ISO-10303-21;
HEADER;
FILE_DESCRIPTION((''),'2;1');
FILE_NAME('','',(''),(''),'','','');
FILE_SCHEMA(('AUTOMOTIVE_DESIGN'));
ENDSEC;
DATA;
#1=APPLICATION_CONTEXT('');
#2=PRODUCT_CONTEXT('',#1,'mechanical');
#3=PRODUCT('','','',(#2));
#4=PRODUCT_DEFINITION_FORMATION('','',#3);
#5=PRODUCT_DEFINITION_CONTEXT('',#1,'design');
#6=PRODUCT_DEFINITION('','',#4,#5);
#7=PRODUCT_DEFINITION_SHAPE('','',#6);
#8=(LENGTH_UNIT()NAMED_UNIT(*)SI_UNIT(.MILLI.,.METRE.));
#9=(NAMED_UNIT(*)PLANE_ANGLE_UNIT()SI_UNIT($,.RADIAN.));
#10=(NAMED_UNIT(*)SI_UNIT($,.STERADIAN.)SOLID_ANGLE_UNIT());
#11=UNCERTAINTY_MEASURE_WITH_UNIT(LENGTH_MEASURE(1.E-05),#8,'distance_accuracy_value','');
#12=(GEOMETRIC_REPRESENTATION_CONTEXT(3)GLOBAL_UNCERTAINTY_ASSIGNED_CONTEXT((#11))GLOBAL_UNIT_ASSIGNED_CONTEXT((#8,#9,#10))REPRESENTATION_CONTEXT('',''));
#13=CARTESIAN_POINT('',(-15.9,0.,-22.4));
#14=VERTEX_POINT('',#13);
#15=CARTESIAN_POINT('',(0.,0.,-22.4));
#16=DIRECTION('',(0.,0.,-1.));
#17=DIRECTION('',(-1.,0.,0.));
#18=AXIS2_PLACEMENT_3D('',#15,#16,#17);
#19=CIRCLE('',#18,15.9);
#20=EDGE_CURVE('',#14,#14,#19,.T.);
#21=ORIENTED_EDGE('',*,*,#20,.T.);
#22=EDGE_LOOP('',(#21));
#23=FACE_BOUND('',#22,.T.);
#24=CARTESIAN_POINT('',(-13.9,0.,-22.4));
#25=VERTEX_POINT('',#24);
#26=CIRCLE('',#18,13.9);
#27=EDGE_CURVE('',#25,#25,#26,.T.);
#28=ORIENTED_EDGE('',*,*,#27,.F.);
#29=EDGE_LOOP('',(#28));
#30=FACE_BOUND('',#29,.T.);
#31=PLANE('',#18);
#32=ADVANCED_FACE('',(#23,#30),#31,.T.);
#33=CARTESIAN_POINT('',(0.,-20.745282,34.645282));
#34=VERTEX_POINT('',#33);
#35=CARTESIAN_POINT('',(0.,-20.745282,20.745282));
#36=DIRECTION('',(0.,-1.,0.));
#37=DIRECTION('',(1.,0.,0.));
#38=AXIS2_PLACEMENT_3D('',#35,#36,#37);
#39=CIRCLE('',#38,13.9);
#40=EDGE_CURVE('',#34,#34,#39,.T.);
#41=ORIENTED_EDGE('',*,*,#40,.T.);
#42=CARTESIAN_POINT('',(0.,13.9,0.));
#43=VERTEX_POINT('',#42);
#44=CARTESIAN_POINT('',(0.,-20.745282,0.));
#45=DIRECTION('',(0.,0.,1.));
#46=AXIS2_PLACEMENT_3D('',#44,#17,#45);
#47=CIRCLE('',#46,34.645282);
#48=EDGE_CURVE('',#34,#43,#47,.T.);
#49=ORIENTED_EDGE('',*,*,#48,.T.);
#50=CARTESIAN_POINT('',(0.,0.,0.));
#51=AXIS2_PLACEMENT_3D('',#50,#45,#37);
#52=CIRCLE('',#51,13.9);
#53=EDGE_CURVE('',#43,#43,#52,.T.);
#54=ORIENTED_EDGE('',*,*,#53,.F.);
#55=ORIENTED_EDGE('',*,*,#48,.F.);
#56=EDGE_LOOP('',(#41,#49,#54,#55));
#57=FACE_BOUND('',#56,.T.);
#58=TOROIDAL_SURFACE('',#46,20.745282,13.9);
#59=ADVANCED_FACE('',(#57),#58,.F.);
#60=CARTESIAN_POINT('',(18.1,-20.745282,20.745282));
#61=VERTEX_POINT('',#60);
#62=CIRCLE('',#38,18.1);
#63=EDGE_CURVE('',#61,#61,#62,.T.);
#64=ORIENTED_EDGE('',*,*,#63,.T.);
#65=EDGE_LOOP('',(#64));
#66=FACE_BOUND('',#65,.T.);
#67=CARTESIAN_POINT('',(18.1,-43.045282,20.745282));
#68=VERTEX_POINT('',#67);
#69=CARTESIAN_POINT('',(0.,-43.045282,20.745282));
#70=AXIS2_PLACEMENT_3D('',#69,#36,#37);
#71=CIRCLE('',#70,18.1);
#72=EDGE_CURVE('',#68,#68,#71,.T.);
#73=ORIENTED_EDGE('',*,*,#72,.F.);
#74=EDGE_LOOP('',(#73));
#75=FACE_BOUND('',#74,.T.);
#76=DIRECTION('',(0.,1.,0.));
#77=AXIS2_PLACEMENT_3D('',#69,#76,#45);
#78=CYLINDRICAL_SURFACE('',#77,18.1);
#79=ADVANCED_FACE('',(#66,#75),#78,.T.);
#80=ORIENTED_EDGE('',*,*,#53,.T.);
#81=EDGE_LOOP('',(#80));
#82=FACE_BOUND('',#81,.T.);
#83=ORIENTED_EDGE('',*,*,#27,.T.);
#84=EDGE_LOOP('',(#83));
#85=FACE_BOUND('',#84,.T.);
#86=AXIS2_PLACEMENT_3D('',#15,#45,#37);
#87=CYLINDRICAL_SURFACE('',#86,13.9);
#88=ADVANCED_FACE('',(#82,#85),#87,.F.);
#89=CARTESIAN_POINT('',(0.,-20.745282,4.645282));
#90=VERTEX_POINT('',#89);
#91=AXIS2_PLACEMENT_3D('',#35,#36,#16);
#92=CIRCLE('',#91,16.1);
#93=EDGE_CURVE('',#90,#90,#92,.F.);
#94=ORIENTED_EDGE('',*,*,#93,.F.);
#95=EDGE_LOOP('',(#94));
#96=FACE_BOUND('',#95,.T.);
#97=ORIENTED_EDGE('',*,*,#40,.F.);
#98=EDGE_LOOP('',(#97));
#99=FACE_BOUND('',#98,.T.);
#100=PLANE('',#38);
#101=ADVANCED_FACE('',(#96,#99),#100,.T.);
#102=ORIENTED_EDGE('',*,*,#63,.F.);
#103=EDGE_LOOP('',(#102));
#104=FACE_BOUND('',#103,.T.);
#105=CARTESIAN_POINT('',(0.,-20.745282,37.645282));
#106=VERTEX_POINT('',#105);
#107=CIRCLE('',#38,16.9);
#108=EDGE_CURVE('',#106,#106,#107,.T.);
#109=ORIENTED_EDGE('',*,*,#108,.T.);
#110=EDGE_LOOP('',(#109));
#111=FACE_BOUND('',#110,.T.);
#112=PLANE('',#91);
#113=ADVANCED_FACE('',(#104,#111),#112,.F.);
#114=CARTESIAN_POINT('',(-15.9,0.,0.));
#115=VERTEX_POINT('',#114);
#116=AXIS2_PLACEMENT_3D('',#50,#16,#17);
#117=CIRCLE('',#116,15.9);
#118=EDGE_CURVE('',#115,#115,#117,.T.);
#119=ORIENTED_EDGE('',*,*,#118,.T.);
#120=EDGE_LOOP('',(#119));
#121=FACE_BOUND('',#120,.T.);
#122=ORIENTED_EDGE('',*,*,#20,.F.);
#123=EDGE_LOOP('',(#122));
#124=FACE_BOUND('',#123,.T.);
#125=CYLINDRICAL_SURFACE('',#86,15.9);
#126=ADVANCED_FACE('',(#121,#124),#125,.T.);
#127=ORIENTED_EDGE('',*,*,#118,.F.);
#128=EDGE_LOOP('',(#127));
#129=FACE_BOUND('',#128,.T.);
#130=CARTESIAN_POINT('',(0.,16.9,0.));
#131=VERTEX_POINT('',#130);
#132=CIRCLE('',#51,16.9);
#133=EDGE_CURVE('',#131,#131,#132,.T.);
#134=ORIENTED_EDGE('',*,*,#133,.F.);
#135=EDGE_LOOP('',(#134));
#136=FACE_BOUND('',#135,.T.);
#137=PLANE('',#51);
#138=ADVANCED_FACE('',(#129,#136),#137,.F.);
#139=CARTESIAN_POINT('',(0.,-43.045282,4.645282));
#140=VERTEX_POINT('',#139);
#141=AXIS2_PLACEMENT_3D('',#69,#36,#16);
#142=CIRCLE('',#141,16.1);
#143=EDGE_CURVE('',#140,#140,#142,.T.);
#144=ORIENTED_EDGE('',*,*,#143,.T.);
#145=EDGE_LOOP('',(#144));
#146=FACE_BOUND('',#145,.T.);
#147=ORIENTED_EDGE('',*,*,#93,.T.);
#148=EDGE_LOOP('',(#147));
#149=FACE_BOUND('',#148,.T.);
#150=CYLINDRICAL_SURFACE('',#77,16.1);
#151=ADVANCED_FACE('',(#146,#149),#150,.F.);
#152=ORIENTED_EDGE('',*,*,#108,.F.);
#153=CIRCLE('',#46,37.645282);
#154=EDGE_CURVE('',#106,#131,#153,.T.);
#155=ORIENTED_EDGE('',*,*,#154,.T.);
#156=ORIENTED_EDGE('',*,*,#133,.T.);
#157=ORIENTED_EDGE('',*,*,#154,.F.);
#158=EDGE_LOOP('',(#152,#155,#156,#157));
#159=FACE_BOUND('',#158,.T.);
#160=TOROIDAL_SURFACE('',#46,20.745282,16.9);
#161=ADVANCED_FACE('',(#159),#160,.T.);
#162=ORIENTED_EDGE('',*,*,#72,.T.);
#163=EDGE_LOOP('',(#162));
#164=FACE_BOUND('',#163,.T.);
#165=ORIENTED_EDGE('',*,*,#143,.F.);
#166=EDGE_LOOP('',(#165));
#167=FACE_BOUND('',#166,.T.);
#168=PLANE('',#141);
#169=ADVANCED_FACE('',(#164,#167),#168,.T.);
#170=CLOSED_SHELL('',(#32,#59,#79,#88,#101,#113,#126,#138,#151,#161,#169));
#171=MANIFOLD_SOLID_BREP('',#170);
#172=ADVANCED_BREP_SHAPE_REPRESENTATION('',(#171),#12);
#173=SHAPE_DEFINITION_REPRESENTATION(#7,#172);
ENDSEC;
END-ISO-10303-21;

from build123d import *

# Parameters (mm, degrees)
ESQUISSE1_R        = 16.9
ESQUISSE1_R_2      = 13.9
R_VOL_MINCE1_ANGLE = 90
ESQUISSE2_R        = 15.9
ESQUISSE2_R_2      = 13.9
EXTRU_MINCE1_DEPTH = 22.4
ESQUISSE3_R        = 18.1
ESQUISSE3_R_2      = 16.1
EXTRU_MINCE2_DEPTH = 22.3


with BuildPart() as part:
    # Esquisse1 → Révol.-Mince1 (revolve)
    with BuildSketch(Plane.XY):
        Circle(ESQUISSE1_R)
        Circle(ESQUISSE1_R_2, mode=Mode.SUBTRACT)
    revolve(axis=Axis((0, -20.745281933, 0), (1, 0, 0)), revolution_arc=R_VOL_MINCE1_ANGLE)

    # Esquisse2 → Extru.-Mince1 (add)
    with BuildSketch(Plane(origin=(0, 0, 0), x_dir=(-1, 0, 0), z_dir=(0, 0, -1))):
        Circle(ESQUISSE2_R)
        Circle(ESQUISSE2_R_2, mode=Mode.SUBTRACT)
    extrude(amount=EXTRU_MINCE1_DEPTH)

    # Esquisse3 → Extru.-Mince2 (add)
    with BuildSketch(Plane.XZ.offset(20.745281933)):
        with Locations((0, 20.745281933)):
            Circle(ESQUISSE3_R)
        with Locations((0, 20.745281933)):
            Circle(ESQUISSE3_R_2, mode=Mode.SUBTRACT)
    extrude(amount=EXTRU_MINCE2_DEPTH)


solid = part.part
